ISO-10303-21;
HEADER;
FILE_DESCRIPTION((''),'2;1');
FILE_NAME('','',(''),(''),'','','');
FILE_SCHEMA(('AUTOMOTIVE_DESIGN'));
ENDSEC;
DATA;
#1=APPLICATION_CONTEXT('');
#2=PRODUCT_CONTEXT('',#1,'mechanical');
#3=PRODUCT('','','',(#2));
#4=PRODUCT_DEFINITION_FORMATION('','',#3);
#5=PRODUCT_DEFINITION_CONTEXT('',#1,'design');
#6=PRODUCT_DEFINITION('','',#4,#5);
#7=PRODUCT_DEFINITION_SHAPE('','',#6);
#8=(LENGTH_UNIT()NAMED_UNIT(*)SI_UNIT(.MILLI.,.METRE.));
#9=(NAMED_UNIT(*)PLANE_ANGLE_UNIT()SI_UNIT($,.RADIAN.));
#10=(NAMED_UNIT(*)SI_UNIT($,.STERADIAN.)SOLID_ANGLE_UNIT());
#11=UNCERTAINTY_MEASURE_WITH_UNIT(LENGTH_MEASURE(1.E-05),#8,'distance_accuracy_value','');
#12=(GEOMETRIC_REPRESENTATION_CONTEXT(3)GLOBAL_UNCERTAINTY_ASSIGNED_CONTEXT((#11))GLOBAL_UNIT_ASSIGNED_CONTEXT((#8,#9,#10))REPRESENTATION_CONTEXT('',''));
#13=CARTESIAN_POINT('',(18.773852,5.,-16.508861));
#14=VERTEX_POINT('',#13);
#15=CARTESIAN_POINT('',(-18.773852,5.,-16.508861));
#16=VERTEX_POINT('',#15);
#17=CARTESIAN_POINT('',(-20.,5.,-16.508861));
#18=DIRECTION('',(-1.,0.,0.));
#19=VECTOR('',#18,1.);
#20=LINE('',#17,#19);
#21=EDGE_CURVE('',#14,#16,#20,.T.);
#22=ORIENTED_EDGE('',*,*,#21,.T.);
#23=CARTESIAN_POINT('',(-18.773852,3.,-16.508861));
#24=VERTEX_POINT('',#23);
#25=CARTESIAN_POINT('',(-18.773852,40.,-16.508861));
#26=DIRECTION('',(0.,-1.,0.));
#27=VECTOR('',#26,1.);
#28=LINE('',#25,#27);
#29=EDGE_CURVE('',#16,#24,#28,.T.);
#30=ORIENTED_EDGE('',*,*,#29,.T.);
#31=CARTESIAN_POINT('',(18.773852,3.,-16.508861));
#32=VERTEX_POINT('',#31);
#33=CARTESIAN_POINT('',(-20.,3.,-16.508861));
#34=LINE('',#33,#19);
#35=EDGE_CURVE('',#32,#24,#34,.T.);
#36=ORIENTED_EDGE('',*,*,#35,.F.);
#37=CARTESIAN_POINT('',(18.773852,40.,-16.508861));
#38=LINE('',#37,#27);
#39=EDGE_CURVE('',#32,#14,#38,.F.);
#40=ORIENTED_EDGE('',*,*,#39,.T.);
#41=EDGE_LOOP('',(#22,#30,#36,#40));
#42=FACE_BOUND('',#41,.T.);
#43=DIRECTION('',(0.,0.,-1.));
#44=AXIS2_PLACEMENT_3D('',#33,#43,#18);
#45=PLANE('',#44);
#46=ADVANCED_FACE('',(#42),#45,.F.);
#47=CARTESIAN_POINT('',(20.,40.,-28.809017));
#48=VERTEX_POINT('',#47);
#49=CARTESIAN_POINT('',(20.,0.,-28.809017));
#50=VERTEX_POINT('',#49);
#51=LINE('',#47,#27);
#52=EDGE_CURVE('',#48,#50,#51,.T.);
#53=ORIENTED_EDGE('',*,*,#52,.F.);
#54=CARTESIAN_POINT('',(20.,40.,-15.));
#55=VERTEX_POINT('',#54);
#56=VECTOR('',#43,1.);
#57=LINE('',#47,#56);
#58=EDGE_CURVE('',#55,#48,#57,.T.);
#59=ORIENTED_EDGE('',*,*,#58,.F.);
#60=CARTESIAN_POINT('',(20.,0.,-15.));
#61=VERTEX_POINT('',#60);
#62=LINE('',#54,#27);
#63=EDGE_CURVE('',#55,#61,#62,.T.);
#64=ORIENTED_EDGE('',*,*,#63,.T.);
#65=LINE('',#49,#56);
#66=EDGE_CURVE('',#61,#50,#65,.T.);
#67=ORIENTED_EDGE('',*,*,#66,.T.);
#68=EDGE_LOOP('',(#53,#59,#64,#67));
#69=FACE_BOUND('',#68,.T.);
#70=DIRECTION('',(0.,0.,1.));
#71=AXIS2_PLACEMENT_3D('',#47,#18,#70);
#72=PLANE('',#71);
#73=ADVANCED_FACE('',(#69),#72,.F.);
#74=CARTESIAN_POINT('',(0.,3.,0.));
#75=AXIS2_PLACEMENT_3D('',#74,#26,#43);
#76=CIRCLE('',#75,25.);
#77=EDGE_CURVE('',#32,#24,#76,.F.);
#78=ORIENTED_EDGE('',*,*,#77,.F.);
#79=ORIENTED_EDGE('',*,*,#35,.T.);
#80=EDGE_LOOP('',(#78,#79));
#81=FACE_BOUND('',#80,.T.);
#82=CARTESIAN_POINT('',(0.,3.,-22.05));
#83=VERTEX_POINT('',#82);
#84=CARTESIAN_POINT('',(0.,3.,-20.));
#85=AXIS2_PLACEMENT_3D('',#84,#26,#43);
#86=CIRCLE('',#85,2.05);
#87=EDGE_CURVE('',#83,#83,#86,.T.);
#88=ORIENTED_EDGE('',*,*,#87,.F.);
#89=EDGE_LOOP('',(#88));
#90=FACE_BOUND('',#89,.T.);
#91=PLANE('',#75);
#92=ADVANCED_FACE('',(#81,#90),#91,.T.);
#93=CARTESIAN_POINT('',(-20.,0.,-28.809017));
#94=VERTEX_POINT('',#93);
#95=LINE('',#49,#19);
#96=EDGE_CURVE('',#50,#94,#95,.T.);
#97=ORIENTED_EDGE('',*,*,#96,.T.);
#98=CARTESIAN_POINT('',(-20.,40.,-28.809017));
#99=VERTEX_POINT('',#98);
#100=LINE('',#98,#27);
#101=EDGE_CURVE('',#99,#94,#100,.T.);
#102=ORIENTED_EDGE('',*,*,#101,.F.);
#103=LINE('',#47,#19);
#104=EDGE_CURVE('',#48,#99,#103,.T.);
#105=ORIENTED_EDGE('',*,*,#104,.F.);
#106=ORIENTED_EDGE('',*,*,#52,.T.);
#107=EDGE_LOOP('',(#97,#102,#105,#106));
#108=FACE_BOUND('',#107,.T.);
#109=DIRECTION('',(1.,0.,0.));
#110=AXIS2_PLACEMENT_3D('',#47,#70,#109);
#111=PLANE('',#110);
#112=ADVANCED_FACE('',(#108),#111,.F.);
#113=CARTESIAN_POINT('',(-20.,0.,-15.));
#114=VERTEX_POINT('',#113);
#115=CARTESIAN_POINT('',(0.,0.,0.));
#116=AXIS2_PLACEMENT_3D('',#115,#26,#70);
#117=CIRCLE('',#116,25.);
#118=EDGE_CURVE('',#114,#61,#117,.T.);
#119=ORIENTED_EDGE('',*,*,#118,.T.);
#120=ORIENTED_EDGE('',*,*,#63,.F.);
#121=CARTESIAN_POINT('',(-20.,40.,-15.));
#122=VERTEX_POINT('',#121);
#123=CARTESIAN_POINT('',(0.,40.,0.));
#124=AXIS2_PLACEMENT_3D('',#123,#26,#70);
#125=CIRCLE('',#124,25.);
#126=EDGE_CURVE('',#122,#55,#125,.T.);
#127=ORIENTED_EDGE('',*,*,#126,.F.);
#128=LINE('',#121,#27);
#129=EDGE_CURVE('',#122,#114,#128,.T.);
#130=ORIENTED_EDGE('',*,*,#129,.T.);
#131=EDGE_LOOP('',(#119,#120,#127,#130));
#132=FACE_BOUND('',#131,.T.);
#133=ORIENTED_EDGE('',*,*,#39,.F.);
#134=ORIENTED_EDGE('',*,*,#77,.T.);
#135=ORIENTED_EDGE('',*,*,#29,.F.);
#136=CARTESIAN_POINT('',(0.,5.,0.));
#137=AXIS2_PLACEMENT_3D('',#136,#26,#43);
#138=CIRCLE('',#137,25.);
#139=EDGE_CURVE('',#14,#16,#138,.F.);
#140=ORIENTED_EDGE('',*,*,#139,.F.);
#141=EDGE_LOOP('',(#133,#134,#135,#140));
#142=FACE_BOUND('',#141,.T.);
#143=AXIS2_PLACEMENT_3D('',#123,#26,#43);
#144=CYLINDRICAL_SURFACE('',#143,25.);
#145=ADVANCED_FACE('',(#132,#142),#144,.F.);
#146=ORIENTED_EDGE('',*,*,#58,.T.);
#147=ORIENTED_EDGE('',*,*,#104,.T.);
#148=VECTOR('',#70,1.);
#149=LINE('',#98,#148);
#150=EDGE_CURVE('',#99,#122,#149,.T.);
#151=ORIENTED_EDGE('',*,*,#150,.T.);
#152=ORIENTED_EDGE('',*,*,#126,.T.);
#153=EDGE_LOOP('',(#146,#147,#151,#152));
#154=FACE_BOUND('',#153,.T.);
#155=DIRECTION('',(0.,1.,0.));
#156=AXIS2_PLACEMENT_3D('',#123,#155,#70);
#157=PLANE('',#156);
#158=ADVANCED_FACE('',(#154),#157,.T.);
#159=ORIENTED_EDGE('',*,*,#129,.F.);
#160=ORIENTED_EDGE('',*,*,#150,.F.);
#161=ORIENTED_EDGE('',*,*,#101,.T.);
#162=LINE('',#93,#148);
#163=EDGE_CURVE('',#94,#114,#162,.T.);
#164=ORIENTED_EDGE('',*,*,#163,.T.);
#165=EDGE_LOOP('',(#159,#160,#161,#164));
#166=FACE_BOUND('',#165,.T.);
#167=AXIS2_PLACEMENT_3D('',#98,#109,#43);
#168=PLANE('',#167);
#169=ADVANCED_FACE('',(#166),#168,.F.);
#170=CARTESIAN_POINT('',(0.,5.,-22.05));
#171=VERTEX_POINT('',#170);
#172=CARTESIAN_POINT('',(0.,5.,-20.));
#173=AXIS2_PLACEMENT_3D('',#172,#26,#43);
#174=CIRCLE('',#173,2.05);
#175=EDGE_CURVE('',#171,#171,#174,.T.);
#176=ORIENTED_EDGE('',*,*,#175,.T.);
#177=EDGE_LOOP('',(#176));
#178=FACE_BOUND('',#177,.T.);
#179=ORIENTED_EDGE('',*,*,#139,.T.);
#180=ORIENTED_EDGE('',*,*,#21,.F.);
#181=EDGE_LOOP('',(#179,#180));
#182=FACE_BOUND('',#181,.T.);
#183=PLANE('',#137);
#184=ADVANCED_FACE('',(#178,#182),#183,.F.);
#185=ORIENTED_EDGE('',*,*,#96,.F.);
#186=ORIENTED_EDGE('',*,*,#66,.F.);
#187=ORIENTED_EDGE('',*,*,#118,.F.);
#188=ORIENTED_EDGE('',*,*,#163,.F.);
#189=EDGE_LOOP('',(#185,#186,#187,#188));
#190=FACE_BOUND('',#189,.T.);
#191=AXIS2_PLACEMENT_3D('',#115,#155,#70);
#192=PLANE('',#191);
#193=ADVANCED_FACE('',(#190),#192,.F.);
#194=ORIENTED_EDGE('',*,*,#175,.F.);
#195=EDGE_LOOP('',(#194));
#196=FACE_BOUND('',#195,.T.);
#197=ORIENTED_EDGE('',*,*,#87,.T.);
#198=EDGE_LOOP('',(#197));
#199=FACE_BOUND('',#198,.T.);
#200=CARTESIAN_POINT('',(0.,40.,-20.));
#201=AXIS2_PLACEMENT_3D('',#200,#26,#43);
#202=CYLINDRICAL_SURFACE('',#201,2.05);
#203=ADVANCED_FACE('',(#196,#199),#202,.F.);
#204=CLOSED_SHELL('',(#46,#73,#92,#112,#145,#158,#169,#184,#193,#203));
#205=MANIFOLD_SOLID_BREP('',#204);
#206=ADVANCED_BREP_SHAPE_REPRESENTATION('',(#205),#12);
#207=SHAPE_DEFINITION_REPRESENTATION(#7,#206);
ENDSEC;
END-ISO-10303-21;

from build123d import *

# Parameters (mm, degrees)
BOSS_EXTRUDE1_DEPTH = 40
SKETCH7_W           = 40
SKETCH7_H           = 10
BOSS_EXTRUDE2_DEPTH = 2
SKETCH8_R           = 2.05
CUT_EXTRUDE1_DEPTH  = 38


with BuildPart() as part:
    # Sketch6 → Boss-Extrude1 (new body)
    with BuildSketch(Plane(origin=(0, 0, 0), x_dir=(1, 0, 0), z_dir=(0, 1, 0))):
        with BuildLine():
            Line((20, 28.809017417), (-20, 28.809017417))
            Line((-20, 28.809017417), (-20, 15))
            ThreePointArc((-20, 15), (0, 25), (20, 15))
            Line((20, 15), (20, 28.809017417))
        make_face()
    extrude(amount=BOSS_EXTRUDE1_DEPTH)

    # Sketch7 → Boss-Extrude2 (add)
    with BuildSketch(Plane(origin=(0, 5, 0), x_dir=(-1, 0, 0), z_dir=(0, -1, 0))):
        with Locations((0, 21.508861193)):
            Rectangle(SKETCH7_W, SKETCH7_H)
    extrude(amount=BOSS_EXTRUDE2_DEPTH)

    # Sketch8 → Cut-Extrude1 (cut, through all)
    with BuildSketch(Plane.XZ.offset(-3)):
        with Locations((0, -20)):
            Circle(SKETCH8_R)
    extrude(amount=-CUT_EXTRUDE1_DEPTH, mode=Mode.SUBTRACT)


solid = part.part
